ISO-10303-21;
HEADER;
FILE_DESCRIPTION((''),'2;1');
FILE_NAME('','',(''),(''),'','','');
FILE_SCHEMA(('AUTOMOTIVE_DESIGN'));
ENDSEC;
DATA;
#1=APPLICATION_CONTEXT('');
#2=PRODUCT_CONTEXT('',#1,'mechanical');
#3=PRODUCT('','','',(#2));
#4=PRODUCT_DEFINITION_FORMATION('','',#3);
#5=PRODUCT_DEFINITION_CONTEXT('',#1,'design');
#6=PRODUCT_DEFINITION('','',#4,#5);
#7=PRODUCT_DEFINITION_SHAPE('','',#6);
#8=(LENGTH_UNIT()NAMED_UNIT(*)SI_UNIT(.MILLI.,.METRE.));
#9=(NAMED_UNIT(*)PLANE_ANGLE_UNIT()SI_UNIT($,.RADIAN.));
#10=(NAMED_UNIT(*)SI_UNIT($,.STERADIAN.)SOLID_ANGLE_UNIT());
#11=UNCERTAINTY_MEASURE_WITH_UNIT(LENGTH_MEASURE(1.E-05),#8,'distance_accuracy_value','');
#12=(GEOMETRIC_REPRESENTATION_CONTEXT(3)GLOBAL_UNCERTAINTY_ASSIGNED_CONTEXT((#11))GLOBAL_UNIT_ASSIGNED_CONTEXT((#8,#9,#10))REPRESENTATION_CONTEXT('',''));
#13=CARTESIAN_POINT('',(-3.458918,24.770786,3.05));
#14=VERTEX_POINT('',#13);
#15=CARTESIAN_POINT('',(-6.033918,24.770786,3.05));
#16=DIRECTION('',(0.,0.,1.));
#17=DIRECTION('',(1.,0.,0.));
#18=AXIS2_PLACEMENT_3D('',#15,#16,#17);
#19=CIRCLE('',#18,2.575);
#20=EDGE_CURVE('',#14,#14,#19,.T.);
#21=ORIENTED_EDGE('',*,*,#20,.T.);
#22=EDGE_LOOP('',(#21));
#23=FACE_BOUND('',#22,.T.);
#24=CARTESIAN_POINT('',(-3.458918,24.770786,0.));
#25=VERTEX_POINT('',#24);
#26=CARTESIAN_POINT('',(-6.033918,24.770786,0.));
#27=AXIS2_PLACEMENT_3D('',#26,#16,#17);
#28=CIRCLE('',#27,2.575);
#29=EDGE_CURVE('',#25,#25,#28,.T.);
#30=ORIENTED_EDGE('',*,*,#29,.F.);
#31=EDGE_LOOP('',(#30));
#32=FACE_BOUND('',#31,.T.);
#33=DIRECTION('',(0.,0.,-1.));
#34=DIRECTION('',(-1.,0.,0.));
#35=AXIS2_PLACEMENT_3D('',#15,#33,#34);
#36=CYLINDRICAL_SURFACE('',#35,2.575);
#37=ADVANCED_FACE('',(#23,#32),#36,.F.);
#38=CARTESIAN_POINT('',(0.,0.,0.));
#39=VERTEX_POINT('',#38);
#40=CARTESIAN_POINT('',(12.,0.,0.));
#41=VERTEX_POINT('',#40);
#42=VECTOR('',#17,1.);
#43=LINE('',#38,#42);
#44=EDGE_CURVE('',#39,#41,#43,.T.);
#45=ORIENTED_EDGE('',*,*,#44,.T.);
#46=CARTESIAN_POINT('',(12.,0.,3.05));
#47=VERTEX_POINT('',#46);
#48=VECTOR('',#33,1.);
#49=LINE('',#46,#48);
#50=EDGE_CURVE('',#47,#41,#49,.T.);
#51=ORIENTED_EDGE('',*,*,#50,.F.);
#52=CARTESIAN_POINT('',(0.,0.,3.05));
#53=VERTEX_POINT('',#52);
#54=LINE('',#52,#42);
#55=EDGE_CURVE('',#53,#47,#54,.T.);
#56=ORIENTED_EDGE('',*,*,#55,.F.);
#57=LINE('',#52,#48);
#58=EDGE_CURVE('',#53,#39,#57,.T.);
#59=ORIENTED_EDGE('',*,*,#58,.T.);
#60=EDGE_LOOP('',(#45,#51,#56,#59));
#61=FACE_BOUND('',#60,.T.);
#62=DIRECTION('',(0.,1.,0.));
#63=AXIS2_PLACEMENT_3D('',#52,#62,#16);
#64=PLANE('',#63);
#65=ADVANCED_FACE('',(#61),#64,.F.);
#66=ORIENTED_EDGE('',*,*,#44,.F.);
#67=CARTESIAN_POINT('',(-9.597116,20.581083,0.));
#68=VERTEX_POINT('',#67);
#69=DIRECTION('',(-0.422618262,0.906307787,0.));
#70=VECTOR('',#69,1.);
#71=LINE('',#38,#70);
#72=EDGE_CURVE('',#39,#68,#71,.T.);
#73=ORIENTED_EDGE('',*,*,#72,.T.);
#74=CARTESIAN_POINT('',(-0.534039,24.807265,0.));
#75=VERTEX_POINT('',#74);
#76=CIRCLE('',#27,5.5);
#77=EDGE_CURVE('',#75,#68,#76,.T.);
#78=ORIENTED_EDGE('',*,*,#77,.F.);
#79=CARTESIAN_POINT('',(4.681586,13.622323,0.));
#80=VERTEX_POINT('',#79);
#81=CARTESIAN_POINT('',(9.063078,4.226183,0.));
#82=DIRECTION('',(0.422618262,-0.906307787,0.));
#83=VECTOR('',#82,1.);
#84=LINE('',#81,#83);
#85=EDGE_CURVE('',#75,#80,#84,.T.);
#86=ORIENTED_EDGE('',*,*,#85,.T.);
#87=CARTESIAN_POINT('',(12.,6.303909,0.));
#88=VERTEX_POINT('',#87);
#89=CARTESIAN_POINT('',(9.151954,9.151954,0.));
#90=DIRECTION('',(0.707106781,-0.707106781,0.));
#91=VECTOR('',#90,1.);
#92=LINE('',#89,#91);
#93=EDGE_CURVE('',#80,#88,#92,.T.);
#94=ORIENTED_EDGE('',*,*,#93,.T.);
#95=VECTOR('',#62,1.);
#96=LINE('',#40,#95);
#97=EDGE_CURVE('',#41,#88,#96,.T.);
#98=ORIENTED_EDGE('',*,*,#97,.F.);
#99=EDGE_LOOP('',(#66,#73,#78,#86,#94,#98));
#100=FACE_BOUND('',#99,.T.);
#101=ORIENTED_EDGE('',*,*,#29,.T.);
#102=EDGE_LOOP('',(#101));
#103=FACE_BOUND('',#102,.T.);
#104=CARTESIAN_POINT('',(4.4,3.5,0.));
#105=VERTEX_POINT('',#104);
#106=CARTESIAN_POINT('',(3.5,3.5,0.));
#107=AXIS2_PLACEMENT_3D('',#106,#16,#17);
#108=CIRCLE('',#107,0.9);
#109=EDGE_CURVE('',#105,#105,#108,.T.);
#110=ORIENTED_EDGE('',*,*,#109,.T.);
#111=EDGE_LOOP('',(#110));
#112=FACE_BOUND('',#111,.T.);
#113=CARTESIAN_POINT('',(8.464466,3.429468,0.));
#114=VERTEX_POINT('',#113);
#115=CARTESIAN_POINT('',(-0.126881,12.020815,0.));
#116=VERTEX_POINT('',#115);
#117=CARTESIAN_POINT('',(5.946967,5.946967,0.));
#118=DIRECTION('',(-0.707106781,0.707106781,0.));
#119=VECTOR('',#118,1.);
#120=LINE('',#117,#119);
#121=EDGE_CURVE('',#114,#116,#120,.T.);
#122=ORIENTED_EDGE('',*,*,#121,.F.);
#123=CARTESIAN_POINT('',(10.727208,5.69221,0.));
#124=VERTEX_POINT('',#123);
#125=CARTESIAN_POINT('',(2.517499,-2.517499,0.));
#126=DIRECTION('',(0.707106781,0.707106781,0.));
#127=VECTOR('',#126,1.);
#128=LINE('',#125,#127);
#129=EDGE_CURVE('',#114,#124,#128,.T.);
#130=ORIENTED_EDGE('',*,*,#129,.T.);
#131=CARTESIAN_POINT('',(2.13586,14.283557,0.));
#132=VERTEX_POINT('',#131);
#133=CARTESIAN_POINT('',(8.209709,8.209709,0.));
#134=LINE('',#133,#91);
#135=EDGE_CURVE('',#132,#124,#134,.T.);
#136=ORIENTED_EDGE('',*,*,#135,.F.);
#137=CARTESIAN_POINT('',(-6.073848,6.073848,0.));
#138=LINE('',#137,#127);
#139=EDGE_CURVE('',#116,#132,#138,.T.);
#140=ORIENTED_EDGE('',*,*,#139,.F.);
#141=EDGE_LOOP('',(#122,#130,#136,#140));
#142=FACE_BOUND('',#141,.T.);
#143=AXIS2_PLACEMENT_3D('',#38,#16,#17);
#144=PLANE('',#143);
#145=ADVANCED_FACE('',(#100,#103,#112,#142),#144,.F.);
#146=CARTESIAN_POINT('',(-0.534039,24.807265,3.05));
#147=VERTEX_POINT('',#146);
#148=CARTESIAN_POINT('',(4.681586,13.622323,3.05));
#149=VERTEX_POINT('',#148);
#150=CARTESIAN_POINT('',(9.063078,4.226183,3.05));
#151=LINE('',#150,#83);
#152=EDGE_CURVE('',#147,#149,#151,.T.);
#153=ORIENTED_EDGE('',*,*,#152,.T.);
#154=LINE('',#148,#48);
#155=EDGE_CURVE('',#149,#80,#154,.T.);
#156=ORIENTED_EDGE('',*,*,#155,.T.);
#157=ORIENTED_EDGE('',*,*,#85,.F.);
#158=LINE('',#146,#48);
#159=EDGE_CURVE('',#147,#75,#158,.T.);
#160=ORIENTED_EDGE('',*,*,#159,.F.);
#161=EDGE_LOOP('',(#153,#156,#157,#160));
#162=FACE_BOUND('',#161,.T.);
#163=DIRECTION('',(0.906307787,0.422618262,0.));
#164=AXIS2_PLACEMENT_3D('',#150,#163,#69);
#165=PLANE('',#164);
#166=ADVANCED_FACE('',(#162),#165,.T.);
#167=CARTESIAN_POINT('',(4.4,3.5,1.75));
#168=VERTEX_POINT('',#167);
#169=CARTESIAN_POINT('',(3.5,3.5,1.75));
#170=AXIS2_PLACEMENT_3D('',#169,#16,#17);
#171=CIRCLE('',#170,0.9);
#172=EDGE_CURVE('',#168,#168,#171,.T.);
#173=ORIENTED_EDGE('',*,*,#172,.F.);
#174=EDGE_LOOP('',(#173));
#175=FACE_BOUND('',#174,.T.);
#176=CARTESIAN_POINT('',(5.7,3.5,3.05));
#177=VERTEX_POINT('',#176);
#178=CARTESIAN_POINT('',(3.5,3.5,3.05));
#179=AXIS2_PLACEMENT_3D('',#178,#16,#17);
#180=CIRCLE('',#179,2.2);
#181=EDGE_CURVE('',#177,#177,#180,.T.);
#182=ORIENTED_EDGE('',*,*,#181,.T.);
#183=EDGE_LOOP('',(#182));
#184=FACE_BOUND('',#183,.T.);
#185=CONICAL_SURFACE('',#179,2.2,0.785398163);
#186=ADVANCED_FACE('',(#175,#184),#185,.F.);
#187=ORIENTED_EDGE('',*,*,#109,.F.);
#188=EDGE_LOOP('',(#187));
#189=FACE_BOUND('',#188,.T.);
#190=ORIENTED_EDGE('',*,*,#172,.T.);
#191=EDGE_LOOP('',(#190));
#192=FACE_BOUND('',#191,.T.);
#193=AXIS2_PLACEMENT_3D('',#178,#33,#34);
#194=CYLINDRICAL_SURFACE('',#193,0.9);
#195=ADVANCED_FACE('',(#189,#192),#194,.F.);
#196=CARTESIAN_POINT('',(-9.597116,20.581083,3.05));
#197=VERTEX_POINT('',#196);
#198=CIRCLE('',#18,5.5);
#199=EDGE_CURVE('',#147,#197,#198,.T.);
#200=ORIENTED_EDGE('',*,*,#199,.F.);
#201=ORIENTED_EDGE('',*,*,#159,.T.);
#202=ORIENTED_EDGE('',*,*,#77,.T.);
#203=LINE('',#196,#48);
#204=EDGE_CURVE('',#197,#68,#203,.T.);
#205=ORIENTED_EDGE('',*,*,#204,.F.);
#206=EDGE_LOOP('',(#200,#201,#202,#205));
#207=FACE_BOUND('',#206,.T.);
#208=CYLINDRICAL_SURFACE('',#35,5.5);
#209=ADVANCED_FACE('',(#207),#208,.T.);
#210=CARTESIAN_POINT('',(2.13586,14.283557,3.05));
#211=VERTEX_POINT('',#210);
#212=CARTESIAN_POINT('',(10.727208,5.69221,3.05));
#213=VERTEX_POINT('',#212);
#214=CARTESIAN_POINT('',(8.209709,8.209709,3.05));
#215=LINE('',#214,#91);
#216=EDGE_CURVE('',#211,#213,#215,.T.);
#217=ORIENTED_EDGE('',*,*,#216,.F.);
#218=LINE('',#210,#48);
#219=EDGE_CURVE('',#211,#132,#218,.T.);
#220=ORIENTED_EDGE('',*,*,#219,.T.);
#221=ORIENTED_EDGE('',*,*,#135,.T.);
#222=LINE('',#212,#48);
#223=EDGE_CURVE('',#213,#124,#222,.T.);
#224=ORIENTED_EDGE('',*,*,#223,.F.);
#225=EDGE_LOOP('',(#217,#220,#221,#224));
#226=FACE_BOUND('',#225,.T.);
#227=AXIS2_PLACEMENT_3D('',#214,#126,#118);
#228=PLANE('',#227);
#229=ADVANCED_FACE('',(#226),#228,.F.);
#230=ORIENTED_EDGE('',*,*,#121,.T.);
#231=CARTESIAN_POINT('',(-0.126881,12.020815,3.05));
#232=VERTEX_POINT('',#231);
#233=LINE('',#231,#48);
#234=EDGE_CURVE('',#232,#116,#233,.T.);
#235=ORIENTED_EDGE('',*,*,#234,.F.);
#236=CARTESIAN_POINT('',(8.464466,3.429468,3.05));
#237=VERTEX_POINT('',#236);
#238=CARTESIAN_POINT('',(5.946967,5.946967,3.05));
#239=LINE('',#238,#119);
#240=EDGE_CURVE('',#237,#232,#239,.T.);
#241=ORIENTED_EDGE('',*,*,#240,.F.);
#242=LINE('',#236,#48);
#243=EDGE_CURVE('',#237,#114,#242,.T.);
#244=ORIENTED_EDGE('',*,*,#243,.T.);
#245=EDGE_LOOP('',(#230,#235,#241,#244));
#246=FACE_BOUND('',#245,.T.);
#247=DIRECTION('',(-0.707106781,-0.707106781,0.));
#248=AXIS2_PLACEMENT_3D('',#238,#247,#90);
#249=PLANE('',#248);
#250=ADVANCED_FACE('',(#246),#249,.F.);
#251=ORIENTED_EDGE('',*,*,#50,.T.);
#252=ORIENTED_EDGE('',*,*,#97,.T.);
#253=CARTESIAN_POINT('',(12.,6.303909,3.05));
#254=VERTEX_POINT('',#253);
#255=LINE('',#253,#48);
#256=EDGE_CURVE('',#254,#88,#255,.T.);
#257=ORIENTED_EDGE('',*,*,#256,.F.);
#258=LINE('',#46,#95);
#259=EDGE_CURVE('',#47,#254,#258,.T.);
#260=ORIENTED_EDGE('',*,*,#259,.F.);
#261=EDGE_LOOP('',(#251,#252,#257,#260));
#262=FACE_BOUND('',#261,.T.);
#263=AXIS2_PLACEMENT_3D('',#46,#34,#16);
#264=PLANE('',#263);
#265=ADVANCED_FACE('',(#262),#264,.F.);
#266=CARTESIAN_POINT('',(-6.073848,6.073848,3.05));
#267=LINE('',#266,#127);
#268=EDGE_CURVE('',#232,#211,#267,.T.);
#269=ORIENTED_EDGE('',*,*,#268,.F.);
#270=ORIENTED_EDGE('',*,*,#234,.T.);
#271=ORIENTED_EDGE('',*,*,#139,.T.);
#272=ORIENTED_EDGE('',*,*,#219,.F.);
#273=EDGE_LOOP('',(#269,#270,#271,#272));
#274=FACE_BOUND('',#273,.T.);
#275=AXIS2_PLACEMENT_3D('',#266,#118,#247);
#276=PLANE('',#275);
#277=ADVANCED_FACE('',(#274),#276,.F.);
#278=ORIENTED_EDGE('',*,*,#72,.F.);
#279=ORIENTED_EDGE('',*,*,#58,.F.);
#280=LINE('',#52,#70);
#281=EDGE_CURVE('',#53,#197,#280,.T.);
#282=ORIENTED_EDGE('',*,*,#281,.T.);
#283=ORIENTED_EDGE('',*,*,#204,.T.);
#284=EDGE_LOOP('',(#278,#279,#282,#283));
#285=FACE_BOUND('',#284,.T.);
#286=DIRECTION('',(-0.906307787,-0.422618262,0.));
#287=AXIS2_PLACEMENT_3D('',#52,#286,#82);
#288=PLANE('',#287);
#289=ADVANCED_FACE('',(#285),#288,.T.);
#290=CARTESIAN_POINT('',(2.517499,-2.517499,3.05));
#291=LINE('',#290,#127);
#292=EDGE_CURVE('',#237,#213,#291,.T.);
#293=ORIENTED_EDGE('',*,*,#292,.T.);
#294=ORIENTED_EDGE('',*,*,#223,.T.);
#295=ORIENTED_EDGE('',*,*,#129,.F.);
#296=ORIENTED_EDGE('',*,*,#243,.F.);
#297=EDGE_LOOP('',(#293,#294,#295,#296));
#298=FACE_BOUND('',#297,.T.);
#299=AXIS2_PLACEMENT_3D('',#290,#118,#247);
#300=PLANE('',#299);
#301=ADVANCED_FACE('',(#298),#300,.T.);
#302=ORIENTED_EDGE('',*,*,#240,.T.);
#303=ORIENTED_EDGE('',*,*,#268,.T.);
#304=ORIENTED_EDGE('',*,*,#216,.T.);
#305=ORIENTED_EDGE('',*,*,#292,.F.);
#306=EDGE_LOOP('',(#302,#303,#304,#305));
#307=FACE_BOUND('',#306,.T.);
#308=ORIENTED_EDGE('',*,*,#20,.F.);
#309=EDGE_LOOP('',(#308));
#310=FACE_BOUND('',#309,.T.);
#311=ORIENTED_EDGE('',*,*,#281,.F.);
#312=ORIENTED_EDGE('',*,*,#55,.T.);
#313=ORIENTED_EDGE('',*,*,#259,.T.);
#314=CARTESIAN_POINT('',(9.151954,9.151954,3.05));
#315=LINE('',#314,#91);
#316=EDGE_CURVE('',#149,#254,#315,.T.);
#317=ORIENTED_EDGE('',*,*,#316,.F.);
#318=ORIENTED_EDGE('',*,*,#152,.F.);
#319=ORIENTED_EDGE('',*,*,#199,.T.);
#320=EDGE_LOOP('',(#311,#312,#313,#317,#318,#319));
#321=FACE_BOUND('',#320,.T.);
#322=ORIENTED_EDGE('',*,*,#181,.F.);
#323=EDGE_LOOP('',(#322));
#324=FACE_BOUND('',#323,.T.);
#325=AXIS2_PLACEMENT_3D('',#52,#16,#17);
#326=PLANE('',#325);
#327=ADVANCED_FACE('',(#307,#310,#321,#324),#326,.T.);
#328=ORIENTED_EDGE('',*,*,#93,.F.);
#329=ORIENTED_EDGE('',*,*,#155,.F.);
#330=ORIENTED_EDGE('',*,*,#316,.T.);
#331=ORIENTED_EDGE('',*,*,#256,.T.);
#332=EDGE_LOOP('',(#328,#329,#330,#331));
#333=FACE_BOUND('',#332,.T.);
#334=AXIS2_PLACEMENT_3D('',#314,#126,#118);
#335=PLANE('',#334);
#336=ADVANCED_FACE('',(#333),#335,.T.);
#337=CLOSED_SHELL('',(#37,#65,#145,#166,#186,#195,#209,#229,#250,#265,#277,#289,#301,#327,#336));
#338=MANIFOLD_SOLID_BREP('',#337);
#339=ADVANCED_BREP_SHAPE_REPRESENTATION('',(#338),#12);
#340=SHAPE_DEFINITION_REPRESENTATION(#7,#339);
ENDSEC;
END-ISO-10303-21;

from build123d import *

# Parameters (mm, degrees)
SKETCH1_R                                       = 0.9
SKETCH1_R_2                                     = 2.575
BOSS_EXTRUDE1_DEPTH                             = 3.05
CSK_FOR_M2_FLAT_HEAD_MACHINE_SCREW1_D           = 1.8
CSK_FOR_M2_FLAT_HEAD_MACHINE_SCREW1_CSINK_D     = 4.4
CSK_FOR_M2_FLAT_HEAD_MACHINE_SCREW1_CSINK_ANGLE = 90


with BuildPart() as part:
    # Sketch1 → Boss-Extrude1 (new body)
    with BuildSketch(Plane.XY):
        with BuildLine():
            Line((12, 0), (12, 6.303908615))
            Line((12, 6.303908615), (4.681585686, 13.62232293))
            Line((4.681585686, 13.62232293), (-0.534038586, 24.807265275))
            ThreePointArc((-0.534038586, 24.807265275), (-8.358318048, 29.755478813), (-9.597116456, 20.581082657))
            Line((-9.597116456, 20.581082657), (0, 0))
            Line((0, 0), (12, 0))
        make_face()
        Polygon((10.727207794, 5.692209589), (8.464466094, 3.429467889), (-0.126881297, 12.02081528), (2.135860402, 14.28355698), align=None, mode=Mode.SUBTRACT)
        with Locations((3.5, 3.5)):
            Circle(SKETCH1_R, mode=Mode.SUBTRACT)
        with Locations((-6.033917608, 24.770785985)):
            Circle(SKETCH1_R_2, mode=Mode.SUBTRACT)
    extrude(amount=BOSS_EXTRUDE1_DEPTH)

    # CSK for M2 Flat Head Machine Screw1 (through all)
    with Locations(Plane.XY.offset(3.05)):
        with Locations((3.5, 3.5)):
            CounterSinkHole(CSK_FOR_M2_FLAT_HEAD_MACHINE_SCREW1_D / 2, CSK_FOR_M2_FLAT_HEAD_MACHINE_SCREW1_CSINK_D / 2, counter_sink_angle=CSK_FOR_M2_FLAT_HEAD_MACHINE_SCREW1_CSINK_ANGLE)


solid = part.part
